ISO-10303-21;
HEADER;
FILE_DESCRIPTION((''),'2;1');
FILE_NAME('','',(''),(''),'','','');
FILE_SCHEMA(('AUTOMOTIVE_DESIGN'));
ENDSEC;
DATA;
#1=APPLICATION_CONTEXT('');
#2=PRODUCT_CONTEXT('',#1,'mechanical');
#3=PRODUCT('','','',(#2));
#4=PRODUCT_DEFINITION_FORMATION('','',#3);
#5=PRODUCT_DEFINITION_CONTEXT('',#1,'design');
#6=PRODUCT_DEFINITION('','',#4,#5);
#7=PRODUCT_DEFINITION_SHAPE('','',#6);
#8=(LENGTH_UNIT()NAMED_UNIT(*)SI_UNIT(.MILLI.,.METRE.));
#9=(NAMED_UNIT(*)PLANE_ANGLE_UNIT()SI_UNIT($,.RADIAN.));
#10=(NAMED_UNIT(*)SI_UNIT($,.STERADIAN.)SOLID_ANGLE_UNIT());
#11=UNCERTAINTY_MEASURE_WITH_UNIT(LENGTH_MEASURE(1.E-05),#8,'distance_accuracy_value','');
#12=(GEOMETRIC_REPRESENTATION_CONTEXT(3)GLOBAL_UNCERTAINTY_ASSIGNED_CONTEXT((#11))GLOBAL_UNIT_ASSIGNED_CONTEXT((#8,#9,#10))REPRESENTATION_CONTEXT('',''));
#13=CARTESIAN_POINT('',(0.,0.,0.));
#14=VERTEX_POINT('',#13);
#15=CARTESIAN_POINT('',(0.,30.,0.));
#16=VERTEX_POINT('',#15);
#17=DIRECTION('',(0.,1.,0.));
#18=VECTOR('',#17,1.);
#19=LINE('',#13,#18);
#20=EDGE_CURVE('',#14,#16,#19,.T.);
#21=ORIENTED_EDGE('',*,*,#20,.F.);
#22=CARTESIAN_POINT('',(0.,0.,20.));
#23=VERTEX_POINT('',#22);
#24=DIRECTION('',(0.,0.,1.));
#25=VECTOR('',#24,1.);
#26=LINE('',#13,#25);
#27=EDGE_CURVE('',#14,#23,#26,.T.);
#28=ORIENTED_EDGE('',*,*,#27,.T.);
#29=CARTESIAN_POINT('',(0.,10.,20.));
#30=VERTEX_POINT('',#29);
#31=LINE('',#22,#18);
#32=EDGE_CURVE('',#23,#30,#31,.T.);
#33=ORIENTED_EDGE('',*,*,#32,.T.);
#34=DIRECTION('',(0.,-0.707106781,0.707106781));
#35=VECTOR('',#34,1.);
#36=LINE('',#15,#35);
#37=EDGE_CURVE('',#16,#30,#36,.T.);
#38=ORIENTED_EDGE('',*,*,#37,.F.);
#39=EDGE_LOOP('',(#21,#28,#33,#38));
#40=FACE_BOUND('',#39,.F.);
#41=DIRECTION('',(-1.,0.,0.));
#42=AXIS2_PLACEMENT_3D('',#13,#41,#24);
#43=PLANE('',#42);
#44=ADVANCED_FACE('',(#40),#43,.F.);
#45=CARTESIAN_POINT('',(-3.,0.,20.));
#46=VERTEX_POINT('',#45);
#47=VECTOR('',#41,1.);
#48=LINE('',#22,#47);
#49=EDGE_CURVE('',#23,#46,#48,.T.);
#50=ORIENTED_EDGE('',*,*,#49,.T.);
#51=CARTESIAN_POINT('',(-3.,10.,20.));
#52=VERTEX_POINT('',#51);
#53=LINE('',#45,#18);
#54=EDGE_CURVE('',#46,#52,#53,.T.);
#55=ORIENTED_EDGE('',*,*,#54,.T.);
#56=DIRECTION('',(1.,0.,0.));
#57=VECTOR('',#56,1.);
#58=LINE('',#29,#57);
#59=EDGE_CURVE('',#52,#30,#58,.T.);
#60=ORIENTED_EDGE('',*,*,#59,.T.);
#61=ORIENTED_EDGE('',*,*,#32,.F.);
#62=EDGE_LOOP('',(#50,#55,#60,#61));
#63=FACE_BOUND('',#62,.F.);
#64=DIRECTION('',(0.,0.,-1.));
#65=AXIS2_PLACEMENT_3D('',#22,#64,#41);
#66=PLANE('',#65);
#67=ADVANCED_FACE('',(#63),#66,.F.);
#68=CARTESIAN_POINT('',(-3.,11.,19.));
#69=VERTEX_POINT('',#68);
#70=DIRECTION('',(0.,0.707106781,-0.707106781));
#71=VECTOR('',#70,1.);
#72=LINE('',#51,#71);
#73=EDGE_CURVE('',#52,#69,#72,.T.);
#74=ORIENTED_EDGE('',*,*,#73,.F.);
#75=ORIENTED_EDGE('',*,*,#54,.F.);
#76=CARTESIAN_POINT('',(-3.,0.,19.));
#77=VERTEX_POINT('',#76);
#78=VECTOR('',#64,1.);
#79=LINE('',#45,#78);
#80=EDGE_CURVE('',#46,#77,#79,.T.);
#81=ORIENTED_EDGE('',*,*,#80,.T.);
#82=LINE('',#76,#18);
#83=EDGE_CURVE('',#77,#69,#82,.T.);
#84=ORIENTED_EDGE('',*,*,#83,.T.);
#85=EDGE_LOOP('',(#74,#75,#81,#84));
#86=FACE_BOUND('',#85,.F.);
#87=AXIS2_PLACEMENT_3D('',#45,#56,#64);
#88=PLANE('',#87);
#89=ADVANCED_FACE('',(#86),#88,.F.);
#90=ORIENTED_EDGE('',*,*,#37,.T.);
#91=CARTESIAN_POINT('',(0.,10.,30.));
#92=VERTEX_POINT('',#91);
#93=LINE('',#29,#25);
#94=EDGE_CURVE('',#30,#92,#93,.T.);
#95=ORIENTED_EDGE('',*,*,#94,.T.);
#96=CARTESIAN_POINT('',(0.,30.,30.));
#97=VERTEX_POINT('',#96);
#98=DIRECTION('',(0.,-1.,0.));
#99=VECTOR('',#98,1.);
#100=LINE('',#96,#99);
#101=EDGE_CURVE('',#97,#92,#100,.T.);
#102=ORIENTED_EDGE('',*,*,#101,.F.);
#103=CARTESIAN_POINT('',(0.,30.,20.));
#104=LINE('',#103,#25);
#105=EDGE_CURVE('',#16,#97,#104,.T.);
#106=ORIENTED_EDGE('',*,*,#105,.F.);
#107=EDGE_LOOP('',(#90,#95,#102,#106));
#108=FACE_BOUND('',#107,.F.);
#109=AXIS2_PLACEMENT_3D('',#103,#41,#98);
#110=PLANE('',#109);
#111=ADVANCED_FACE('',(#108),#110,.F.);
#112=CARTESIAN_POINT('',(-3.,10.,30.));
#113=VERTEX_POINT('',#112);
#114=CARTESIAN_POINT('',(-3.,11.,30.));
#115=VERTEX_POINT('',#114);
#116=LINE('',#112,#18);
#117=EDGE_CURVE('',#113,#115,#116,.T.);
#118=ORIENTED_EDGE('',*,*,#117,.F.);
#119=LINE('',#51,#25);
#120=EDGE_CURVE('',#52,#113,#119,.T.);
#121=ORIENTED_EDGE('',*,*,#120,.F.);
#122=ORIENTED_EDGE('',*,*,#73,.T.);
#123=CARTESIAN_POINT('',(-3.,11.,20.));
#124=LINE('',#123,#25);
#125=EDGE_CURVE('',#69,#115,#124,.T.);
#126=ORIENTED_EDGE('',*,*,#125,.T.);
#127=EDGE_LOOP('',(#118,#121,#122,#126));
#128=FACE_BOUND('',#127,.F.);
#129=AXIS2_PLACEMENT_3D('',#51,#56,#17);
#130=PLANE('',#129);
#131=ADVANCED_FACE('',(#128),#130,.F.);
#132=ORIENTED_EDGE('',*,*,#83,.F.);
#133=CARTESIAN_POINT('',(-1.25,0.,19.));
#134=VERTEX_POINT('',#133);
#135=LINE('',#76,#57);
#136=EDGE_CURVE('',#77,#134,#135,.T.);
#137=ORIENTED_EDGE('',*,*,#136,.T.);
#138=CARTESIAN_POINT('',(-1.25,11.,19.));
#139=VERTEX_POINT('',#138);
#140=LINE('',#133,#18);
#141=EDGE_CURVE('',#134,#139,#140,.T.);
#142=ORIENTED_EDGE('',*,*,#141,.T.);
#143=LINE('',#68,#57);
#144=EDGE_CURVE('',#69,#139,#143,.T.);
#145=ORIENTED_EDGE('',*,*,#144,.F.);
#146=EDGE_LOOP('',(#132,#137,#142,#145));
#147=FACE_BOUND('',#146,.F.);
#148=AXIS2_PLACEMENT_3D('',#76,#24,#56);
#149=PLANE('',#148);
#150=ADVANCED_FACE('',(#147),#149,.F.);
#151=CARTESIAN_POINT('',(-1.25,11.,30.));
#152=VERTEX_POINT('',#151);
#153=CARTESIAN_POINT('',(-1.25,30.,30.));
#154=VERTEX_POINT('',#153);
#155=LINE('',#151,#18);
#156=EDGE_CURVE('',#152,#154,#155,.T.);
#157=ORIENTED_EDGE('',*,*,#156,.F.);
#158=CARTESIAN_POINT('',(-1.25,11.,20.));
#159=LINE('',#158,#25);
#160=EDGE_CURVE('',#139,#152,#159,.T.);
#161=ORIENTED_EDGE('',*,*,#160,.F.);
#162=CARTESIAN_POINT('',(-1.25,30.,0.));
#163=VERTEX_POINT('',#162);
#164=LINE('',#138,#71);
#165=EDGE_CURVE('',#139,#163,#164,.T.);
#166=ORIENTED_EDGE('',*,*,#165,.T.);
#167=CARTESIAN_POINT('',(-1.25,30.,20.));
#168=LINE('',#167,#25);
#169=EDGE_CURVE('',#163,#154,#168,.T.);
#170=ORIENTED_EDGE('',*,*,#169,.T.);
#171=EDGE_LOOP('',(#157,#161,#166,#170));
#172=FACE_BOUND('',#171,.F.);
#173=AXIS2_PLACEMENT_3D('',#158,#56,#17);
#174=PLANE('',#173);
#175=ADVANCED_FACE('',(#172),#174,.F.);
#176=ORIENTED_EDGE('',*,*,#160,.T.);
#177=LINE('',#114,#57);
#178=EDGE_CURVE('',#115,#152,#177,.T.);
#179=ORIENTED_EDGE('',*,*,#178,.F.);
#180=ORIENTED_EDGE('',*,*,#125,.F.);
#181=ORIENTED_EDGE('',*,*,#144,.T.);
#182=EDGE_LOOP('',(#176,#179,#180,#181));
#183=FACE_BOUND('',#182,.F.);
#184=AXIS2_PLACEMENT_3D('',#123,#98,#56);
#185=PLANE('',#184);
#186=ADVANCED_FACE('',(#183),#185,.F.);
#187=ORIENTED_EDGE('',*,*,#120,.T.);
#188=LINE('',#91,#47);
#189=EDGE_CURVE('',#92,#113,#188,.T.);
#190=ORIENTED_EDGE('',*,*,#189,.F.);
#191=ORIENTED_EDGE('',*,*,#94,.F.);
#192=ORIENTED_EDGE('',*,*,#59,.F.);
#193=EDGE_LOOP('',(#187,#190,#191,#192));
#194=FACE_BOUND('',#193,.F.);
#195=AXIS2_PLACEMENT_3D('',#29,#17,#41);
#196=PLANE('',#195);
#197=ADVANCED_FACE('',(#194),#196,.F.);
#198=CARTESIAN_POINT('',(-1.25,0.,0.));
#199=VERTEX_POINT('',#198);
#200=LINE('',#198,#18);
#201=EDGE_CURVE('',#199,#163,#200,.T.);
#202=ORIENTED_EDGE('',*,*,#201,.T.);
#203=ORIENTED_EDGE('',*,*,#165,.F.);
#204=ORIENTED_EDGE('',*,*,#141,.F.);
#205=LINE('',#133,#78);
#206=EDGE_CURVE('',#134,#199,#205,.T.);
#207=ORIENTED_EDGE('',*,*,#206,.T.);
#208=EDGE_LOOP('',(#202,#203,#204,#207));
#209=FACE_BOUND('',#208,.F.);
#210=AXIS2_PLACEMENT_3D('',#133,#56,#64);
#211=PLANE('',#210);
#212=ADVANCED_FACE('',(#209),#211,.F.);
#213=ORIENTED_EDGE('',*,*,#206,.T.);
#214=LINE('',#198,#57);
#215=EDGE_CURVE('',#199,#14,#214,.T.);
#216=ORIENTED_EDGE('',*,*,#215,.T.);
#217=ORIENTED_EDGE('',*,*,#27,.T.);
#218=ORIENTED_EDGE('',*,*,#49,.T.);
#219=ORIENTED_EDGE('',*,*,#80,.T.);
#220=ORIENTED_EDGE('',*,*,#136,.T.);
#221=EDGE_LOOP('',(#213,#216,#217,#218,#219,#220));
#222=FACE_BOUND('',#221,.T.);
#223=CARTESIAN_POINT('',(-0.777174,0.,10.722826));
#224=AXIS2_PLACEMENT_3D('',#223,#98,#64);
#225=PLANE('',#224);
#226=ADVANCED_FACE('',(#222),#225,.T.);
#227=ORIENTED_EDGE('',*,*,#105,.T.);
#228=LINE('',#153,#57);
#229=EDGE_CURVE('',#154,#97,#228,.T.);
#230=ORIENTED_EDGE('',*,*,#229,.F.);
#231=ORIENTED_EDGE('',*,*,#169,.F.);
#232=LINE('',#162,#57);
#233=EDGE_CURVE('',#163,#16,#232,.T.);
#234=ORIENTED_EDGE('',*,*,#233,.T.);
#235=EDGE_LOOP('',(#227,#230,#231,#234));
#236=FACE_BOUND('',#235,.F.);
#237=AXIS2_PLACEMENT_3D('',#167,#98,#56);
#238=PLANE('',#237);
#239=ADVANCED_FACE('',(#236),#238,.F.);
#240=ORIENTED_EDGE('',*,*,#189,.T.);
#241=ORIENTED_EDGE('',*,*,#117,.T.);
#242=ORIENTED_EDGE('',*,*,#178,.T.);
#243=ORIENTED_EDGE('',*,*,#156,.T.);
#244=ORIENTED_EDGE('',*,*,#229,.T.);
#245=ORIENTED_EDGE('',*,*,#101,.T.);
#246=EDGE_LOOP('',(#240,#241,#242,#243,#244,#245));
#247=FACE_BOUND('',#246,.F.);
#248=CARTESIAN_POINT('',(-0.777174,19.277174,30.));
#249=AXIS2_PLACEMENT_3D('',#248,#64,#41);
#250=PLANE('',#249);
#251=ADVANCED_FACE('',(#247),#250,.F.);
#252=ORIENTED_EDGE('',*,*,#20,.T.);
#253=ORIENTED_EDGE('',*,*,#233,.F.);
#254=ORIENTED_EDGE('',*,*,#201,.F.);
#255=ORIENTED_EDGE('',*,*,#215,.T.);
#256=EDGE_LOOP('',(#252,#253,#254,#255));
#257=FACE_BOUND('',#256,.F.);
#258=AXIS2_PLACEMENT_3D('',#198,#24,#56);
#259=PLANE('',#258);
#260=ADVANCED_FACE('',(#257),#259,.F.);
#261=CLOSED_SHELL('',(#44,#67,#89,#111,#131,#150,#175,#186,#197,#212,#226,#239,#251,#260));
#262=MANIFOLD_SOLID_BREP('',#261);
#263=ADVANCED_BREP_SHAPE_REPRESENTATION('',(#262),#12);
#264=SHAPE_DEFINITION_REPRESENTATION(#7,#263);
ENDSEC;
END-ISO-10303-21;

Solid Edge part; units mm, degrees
sketch "Sketch1" plane through (0, 0, 0) normal (1, 0, 0) x (0, 1, 0)
  line L0 (10, 20) -> (10, 30)
  line L1 (0, 20) -> (10, 20)
  dimension "D1" = 10
sketch "Sketch2" plane through (0, 0, 0) normal (0, -1, 0) x (1, 0, 0)
  line L0 (0, 20) -> (-3, 20)
  line L1 (-3, 20) -> (-3, 19)
  line L2 (-3, 19) -> (-1.25, 19)
  line L3 (-1.25, 19) -> (-1.25, 0)
  line L4 (-1.25, 0) -> (0, 0)
  line L5 (0, 0) -> (0, 20)
sweep "ProtrusioneScorrimento_3" add profiles "Sketch2" path "Sketch1"
